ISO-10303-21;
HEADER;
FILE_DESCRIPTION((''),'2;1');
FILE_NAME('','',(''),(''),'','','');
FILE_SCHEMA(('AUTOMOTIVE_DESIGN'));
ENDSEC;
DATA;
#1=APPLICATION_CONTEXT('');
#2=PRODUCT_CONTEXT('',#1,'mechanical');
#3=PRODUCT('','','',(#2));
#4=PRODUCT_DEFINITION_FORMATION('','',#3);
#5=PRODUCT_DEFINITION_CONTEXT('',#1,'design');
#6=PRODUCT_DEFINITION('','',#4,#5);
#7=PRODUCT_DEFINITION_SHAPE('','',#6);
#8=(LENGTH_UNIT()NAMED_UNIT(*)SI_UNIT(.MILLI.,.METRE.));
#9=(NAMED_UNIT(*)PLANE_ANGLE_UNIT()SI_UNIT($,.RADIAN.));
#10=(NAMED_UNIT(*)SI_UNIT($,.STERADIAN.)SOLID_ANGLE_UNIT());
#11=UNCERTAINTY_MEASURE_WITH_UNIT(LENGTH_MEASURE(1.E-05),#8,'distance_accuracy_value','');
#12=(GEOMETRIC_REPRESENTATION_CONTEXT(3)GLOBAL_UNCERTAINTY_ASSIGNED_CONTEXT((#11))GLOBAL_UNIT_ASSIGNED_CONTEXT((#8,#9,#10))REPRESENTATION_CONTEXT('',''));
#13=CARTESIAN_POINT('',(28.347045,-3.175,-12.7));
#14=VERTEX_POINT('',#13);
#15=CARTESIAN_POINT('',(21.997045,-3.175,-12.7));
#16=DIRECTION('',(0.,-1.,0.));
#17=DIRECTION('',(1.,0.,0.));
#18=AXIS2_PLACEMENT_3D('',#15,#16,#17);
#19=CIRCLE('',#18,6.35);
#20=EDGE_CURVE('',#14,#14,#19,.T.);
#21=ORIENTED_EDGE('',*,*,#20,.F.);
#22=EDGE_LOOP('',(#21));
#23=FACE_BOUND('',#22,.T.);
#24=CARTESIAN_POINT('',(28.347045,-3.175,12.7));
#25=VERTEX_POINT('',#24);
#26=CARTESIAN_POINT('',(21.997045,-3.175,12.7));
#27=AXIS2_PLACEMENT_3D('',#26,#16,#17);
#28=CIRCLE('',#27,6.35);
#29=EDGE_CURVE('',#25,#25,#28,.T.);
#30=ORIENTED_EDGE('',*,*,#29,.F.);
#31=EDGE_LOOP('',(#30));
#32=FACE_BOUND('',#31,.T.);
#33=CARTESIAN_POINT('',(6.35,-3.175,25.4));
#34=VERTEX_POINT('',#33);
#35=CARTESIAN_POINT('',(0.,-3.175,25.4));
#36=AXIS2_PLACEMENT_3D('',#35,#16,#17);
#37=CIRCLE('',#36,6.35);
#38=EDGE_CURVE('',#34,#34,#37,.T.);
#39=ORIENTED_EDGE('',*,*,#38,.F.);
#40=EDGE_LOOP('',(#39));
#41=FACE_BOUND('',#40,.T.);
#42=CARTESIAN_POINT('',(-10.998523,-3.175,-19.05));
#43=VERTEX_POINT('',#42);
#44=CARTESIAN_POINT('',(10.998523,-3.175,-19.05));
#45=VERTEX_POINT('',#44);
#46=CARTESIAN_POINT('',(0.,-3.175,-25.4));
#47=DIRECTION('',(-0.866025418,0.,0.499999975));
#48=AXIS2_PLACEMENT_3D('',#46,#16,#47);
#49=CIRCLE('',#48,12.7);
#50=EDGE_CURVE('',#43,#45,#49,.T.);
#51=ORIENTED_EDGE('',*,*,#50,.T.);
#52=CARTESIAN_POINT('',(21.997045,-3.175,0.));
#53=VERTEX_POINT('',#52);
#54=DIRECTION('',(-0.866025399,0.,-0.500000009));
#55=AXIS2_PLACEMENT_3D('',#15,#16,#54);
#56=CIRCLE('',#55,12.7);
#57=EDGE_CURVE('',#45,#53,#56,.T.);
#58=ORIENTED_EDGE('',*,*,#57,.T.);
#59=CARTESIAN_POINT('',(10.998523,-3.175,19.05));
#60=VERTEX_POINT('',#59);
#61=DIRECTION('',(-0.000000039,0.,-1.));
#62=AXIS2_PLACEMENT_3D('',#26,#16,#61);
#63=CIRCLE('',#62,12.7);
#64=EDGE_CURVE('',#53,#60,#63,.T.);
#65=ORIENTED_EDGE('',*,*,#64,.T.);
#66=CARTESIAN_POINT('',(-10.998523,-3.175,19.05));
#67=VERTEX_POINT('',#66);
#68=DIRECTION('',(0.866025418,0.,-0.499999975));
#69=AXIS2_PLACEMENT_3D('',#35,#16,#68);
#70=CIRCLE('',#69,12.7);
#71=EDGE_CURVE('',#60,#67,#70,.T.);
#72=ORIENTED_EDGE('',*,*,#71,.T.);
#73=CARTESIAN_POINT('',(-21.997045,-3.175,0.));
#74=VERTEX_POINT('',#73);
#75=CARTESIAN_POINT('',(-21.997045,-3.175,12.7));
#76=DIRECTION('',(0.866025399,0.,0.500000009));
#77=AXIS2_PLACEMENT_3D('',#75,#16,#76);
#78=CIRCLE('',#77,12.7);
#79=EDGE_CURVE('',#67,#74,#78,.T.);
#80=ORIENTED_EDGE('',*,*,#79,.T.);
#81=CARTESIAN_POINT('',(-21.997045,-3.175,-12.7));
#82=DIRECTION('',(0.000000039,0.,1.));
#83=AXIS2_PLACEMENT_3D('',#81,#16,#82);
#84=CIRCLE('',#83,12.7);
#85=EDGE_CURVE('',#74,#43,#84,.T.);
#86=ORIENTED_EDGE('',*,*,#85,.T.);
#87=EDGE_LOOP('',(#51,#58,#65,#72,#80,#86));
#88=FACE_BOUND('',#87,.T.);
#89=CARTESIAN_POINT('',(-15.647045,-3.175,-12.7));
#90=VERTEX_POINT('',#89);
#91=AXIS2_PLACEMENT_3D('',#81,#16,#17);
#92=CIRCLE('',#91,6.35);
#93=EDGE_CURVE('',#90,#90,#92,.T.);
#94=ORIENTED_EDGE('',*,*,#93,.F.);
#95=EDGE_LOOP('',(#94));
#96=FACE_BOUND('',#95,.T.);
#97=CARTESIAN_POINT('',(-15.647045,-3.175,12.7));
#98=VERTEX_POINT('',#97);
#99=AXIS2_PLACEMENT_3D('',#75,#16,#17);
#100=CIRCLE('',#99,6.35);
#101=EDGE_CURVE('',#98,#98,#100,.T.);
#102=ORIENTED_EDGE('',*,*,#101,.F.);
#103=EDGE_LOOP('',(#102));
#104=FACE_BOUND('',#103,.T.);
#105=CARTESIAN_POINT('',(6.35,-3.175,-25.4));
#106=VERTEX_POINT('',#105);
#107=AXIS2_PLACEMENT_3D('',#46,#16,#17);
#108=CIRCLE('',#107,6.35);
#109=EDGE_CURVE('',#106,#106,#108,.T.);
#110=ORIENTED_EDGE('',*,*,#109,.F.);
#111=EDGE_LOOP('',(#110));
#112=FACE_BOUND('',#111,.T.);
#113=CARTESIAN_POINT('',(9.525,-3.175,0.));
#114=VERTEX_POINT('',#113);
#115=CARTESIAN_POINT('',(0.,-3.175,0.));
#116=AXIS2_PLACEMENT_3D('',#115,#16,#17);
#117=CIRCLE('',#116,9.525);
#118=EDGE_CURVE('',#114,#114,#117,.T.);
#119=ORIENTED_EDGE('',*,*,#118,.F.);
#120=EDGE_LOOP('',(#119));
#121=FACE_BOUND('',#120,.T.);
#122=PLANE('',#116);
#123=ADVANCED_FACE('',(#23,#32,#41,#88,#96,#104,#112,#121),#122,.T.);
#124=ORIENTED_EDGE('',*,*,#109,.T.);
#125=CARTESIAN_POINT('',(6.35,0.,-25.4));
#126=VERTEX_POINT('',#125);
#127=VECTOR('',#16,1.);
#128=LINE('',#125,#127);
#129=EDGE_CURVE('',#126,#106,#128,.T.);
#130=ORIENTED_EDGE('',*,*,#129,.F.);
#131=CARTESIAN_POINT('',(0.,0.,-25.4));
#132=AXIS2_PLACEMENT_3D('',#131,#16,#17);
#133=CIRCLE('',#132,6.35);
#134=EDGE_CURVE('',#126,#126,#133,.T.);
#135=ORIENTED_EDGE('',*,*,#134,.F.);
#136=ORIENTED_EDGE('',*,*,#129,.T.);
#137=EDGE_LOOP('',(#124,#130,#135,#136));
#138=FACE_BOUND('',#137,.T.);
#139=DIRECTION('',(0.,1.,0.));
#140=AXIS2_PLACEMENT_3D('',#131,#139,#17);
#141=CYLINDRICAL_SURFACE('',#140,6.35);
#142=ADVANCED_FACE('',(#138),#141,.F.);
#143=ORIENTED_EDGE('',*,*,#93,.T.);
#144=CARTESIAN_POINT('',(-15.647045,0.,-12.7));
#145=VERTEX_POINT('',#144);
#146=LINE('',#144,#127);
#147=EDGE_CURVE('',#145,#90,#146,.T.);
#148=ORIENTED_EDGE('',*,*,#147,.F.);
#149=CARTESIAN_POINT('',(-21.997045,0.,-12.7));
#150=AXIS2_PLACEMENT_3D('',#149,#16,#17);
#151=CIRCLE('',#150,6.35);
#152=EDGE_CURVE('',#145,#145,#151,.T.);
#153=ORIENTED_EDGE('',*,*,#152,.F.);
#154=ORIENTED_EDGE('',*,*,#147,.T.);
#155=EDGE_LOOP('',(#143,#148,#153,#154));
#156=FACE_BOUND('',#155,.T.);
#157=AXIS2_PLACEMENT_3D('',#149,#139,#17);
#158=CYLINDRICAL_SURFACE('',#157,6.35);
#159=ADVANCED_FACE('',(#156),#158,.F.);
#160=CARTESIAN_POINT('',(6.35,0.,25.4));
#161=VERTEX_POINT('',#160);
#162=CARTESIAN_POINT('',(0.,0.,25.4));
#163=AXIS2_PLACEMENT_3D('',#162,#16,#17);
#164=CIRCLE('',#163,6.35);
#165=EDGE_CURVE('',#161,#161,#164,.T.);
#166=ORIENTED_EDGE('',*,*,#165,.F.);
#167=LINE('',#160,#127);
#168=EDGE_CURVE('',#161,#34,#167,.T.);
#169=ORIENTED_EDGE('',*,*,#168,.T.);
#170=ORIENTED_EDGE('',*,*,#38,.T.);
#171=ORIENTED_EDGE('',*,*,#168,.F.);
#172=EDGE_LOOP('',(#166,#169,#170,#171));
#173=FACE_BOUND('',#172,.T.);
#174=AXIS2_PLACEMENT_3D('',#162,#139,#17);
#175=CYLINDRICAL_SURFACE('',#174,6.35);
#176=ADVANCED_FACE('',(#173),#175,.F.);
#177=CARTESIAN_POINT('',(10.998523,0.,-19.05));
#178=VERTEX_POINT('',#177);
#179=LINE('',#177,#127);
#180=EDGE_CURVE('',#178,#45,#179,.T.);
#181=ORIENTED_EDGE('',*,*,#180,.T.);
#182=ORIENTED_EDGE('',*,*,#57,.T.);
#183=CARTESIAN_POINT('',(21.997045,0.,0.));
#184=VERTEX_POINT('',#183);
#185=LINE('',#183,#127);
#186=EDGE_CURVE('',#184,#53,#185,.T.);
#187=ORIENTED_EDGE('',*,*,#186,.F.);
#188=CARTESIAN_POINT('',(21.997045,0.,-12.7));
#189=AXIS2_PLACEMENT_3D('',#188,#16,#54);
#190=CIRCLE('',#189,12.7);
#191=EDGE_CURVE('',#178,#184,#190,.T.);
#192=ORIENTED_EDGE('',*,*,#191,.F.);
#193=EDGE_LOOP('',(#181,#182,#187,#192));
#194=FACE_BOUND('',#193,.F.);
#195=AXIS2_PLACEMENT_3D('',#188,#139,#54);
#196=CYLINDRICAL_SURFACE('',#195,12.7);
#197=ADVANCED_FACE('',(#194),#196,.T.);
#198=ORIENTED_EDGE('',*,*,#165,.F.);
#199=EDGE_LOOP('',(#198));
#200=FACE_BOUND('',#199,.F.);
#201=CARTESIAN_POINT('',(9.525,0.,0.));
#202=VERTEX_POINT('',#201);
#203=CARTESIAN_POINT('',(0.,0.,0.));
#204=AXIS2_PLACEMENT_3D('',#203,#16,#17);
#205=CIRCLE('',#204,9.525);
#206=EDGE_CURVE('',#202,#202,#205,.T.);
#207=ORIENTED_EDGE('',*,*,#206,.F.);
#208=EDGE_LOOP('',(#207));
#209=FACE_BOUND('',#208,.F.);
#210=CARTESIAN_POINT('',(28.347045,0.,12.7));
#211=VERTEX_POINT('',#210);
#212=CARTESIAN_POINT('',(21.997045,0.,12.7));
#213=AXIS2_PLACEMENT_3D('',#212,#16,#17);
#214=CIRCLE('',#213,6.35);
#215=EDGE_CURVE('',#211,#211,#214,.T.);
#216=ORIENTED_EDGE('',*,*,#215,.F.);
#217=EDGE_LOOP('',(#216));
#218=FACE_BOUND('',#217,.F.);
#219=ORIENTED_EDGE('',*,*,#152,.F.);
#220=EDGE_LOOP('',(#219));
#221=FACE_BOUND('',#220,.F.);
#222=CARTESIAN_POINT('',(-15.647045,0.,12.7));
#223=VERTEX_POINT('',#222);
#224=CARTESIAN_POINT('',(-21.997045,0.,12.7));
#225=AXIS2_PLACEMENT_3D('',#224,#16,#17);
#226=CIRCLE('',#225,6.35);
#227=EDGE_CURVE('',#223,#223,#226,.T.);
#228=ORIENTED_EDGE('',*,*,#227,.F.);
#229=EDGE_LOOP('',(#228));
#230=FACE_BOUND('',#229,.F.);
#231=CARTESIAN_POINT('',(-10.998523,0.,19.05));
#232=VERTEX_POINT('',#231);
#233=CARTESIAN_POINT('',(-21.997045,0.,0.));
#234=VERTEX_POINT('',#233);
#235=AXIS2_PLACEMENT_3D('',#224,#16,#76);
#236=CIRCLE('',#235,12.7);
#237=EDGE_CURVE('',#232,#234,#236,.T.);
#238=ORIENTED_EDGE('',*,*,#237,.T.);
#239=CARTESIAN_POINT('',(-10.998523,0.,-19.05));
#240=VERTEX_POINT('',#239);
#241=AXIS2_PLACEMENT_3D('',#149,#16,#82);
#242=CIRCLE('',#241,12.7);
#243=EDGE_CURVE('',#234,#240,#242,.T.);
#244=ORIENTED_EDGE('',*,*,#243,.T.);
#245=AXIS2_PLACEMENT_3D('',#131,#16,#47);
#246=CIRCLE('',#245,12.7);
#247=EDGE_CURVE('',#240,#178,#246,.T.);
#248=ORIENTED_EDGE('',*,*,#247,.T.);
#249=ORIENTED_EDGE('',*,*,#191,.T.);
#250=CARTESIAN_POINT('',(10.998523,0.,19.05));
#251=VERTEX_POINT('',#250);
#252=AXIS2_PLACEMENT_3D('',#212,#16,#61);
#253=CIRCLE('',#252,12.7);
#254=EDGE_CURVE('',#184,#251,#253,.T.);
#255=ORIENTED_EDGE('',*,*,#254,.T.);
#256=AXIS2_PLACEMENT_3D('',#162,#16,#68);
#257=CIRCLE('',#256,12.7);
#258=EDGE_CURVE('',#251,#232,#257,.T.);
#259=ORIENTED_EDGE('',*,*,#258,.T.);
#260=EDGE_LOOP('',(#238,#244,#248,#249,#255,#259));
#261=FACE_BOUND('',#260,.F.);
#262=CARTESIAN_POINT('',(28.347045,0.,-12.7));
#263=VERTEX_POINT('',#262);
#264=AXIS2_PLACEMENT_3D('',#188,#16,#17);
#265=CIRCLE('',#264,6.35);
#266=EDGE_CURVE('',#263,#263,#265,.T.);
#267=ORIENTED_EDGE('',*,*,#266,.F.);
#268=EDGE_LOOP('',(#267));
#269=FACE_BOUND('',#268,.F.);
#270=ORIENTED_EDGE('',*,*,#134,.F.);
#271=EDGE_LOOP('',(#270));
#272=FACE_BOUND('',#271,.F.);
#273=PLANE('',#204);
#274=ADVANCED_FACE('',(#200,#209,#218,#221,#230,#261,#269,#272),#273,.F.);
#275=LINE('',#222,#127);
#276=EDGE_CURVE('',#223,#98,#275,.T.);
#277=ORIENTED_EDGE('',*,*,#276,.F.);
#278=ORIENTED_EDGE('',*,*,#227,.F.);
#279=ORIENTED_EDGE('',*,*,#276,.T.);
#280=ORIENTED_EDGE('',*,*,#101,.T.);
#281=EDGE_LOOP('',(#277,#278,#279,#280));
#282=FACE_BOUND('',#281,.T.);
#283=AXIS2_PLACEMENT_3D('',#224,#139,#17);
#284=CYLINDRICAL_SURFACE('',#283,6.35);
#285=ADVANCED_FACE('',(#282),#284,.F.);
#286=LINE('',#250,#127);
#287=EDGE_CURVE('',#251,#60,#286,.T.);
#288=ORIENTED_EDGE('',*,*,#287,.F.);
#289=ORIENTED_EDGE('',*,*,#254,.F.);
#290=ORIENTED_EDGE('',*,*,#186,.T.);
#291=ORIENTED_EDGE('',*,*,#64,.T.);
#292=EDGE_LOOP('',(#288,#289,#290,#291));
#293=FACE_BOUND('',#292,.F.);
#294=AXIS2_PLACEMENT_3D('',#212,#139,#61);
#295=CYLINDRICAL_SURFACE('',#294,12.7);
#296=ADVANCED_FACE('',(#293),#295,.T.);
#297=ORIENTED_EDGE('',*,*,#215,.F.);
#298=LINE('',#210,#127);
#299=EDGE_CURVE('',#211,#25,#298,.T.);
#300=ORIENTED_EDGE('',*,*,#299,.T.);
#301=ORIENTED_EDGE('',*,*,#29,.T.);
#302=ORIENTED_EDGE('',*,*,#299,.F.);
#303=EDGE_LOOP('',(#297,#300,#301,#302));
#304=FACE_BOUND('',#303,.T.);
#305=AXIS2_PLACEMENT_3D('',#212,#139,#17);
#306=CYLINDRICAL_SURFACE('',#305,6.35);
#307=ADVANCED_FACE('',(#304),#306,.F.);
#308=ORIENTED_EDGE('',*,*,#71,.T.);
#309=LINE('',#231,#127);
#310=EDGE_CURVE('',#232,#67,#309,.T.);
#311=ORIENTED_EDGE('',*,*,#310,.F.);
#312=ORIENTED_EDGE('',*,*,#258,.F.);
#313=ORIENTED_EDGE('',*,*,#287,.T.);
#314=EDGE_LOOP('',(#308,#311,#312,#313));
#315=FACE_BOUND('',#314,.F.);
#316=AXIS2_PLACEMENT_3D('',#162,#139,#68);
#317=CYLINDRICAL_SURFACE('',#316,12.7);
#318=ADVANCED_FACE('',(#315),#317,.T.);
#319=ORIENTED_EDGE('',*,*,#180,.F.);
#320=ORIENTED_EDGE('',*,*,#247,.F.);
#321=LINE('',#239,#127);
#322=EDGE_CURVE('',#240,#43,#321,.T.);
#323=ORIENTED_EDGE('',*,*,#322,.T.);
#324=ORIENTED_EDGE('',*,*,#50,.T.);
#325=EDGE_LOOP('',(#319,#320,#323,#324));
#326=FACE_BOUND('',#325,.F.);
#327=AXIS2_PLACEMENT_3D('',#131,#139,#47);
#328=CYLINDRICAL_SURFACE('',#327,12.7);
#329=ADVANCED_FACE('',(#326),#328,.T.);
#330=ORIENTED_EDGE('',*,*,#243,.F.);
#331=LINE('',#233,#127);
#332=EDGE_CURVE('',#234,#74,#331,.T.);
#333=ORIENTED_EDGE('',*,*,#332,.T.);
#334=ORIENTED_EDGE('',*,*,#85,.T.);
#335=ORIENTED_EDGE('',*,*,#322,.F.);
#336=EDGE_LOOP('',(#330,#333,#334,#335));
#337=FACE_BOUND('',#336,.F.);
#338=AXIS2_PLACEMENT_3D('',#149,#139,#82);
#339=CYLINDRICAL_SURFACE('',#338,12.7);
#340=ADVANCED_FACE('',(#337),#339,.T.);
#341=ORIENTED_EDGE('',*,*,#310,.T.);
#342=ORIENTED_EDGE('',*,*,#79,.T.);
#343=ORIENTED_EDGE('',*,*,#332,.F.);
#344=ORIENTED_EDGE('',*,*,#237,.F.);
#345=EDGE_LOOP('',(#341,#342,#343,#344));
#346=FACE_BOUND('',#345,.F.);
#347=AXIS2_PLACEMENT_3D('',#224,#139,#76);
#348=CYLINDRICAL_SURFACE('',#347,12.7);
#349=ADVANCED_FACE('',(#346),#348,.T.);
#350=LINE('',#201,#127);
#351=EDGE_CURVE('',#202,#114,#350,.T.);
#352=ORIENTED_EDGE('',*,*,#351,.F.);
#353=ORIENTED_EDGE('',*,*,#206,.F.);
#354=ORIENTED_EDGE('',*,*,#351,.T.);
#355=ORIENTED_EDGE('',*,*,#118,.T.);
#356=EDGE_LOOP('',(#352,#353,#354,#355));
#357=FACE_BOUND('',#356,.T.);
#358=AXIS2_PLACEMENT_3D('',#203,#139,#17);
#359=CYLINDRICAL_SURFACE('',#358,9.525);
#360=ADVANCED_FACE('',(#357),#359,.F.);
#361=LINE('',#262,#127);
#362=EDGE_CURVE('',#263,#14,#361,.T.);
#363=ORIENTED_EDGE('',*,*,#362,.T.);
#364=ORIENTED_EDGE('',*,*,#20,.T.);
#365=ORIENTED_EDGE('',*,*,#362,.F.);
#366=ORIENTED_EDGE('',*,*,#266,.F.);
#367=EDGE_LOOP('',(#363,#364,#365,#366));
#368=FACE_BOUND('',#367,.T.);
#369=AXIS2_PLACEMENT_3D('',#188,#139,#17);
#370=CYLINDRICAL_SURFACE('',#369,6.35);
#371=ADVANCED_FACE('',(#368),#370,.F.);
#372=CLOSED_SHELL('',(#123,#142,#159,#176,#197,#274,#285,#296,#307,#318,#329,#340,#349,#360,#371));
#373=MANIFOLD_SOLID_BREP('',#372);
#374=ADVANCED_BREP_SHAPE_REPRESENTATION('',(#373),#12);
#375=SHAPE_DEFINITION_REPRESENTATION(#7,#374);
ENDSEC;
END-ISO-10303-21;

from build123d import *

# Parameters (mm, degrees)
F0_R     = 6.35
F0_R_2   = 9.525
F1_DEPTH = 3.175


with BuildPart() as f1:
    # F0 (on Front) → F1 (new body)
    with BuildSketch(Plane.XZ):
        with BuildLine():
            ThreePointArc((21.997045, 0), (32.995568, 19.05), (10.998523, 19.05))
            ThreePointArc((10.998523, 19.05), (0, 38.1), (-10.998523, 19.05))
            ThreePointArc((-10.998523, 19.05), (-32.995568, 19.05), (-21.997045, 0))
            ThreePointArc((-21.997045, 0), (-32.995568, -19.05), (-10.998523, -19.05))
            ThreePointArc((-10.998523, -19.05), (0, -38.1), (10.998523, -19.05))
            ThreePointArc((10.998523, -19.05), (32.995568, -19.05), (21.997045, 0))
        make_face()
        with Locations((-21.997045, -12.7)):
            Circle(F0_R, mode=Mode.SUBTRACT)
        with Locations((0, -25.4)):
            Circle(F0_R, mode=Mode.SUBTRACT)
        with Locations((21.997045, -12.7)):
            Circle(F0_R, mode=Mode.SUBTRACT)
        with Locations((-21.997045, 12.7)):
            Circle(F0_R, mode=Mode.SUBTRACT)
        Circle(F0_R_2, mode=Mode.SUBTRACT)
        with Locations((21.997045, 12.7)):
            Circle(F0_R, mode=Mode.SUBTRACT)
        with Locations((0, 25.4)):
            Circle(F0_R, mode=Mode.SUBTRACT)
    extrude(amount=F1_DEPTH)


solid = f1.part
